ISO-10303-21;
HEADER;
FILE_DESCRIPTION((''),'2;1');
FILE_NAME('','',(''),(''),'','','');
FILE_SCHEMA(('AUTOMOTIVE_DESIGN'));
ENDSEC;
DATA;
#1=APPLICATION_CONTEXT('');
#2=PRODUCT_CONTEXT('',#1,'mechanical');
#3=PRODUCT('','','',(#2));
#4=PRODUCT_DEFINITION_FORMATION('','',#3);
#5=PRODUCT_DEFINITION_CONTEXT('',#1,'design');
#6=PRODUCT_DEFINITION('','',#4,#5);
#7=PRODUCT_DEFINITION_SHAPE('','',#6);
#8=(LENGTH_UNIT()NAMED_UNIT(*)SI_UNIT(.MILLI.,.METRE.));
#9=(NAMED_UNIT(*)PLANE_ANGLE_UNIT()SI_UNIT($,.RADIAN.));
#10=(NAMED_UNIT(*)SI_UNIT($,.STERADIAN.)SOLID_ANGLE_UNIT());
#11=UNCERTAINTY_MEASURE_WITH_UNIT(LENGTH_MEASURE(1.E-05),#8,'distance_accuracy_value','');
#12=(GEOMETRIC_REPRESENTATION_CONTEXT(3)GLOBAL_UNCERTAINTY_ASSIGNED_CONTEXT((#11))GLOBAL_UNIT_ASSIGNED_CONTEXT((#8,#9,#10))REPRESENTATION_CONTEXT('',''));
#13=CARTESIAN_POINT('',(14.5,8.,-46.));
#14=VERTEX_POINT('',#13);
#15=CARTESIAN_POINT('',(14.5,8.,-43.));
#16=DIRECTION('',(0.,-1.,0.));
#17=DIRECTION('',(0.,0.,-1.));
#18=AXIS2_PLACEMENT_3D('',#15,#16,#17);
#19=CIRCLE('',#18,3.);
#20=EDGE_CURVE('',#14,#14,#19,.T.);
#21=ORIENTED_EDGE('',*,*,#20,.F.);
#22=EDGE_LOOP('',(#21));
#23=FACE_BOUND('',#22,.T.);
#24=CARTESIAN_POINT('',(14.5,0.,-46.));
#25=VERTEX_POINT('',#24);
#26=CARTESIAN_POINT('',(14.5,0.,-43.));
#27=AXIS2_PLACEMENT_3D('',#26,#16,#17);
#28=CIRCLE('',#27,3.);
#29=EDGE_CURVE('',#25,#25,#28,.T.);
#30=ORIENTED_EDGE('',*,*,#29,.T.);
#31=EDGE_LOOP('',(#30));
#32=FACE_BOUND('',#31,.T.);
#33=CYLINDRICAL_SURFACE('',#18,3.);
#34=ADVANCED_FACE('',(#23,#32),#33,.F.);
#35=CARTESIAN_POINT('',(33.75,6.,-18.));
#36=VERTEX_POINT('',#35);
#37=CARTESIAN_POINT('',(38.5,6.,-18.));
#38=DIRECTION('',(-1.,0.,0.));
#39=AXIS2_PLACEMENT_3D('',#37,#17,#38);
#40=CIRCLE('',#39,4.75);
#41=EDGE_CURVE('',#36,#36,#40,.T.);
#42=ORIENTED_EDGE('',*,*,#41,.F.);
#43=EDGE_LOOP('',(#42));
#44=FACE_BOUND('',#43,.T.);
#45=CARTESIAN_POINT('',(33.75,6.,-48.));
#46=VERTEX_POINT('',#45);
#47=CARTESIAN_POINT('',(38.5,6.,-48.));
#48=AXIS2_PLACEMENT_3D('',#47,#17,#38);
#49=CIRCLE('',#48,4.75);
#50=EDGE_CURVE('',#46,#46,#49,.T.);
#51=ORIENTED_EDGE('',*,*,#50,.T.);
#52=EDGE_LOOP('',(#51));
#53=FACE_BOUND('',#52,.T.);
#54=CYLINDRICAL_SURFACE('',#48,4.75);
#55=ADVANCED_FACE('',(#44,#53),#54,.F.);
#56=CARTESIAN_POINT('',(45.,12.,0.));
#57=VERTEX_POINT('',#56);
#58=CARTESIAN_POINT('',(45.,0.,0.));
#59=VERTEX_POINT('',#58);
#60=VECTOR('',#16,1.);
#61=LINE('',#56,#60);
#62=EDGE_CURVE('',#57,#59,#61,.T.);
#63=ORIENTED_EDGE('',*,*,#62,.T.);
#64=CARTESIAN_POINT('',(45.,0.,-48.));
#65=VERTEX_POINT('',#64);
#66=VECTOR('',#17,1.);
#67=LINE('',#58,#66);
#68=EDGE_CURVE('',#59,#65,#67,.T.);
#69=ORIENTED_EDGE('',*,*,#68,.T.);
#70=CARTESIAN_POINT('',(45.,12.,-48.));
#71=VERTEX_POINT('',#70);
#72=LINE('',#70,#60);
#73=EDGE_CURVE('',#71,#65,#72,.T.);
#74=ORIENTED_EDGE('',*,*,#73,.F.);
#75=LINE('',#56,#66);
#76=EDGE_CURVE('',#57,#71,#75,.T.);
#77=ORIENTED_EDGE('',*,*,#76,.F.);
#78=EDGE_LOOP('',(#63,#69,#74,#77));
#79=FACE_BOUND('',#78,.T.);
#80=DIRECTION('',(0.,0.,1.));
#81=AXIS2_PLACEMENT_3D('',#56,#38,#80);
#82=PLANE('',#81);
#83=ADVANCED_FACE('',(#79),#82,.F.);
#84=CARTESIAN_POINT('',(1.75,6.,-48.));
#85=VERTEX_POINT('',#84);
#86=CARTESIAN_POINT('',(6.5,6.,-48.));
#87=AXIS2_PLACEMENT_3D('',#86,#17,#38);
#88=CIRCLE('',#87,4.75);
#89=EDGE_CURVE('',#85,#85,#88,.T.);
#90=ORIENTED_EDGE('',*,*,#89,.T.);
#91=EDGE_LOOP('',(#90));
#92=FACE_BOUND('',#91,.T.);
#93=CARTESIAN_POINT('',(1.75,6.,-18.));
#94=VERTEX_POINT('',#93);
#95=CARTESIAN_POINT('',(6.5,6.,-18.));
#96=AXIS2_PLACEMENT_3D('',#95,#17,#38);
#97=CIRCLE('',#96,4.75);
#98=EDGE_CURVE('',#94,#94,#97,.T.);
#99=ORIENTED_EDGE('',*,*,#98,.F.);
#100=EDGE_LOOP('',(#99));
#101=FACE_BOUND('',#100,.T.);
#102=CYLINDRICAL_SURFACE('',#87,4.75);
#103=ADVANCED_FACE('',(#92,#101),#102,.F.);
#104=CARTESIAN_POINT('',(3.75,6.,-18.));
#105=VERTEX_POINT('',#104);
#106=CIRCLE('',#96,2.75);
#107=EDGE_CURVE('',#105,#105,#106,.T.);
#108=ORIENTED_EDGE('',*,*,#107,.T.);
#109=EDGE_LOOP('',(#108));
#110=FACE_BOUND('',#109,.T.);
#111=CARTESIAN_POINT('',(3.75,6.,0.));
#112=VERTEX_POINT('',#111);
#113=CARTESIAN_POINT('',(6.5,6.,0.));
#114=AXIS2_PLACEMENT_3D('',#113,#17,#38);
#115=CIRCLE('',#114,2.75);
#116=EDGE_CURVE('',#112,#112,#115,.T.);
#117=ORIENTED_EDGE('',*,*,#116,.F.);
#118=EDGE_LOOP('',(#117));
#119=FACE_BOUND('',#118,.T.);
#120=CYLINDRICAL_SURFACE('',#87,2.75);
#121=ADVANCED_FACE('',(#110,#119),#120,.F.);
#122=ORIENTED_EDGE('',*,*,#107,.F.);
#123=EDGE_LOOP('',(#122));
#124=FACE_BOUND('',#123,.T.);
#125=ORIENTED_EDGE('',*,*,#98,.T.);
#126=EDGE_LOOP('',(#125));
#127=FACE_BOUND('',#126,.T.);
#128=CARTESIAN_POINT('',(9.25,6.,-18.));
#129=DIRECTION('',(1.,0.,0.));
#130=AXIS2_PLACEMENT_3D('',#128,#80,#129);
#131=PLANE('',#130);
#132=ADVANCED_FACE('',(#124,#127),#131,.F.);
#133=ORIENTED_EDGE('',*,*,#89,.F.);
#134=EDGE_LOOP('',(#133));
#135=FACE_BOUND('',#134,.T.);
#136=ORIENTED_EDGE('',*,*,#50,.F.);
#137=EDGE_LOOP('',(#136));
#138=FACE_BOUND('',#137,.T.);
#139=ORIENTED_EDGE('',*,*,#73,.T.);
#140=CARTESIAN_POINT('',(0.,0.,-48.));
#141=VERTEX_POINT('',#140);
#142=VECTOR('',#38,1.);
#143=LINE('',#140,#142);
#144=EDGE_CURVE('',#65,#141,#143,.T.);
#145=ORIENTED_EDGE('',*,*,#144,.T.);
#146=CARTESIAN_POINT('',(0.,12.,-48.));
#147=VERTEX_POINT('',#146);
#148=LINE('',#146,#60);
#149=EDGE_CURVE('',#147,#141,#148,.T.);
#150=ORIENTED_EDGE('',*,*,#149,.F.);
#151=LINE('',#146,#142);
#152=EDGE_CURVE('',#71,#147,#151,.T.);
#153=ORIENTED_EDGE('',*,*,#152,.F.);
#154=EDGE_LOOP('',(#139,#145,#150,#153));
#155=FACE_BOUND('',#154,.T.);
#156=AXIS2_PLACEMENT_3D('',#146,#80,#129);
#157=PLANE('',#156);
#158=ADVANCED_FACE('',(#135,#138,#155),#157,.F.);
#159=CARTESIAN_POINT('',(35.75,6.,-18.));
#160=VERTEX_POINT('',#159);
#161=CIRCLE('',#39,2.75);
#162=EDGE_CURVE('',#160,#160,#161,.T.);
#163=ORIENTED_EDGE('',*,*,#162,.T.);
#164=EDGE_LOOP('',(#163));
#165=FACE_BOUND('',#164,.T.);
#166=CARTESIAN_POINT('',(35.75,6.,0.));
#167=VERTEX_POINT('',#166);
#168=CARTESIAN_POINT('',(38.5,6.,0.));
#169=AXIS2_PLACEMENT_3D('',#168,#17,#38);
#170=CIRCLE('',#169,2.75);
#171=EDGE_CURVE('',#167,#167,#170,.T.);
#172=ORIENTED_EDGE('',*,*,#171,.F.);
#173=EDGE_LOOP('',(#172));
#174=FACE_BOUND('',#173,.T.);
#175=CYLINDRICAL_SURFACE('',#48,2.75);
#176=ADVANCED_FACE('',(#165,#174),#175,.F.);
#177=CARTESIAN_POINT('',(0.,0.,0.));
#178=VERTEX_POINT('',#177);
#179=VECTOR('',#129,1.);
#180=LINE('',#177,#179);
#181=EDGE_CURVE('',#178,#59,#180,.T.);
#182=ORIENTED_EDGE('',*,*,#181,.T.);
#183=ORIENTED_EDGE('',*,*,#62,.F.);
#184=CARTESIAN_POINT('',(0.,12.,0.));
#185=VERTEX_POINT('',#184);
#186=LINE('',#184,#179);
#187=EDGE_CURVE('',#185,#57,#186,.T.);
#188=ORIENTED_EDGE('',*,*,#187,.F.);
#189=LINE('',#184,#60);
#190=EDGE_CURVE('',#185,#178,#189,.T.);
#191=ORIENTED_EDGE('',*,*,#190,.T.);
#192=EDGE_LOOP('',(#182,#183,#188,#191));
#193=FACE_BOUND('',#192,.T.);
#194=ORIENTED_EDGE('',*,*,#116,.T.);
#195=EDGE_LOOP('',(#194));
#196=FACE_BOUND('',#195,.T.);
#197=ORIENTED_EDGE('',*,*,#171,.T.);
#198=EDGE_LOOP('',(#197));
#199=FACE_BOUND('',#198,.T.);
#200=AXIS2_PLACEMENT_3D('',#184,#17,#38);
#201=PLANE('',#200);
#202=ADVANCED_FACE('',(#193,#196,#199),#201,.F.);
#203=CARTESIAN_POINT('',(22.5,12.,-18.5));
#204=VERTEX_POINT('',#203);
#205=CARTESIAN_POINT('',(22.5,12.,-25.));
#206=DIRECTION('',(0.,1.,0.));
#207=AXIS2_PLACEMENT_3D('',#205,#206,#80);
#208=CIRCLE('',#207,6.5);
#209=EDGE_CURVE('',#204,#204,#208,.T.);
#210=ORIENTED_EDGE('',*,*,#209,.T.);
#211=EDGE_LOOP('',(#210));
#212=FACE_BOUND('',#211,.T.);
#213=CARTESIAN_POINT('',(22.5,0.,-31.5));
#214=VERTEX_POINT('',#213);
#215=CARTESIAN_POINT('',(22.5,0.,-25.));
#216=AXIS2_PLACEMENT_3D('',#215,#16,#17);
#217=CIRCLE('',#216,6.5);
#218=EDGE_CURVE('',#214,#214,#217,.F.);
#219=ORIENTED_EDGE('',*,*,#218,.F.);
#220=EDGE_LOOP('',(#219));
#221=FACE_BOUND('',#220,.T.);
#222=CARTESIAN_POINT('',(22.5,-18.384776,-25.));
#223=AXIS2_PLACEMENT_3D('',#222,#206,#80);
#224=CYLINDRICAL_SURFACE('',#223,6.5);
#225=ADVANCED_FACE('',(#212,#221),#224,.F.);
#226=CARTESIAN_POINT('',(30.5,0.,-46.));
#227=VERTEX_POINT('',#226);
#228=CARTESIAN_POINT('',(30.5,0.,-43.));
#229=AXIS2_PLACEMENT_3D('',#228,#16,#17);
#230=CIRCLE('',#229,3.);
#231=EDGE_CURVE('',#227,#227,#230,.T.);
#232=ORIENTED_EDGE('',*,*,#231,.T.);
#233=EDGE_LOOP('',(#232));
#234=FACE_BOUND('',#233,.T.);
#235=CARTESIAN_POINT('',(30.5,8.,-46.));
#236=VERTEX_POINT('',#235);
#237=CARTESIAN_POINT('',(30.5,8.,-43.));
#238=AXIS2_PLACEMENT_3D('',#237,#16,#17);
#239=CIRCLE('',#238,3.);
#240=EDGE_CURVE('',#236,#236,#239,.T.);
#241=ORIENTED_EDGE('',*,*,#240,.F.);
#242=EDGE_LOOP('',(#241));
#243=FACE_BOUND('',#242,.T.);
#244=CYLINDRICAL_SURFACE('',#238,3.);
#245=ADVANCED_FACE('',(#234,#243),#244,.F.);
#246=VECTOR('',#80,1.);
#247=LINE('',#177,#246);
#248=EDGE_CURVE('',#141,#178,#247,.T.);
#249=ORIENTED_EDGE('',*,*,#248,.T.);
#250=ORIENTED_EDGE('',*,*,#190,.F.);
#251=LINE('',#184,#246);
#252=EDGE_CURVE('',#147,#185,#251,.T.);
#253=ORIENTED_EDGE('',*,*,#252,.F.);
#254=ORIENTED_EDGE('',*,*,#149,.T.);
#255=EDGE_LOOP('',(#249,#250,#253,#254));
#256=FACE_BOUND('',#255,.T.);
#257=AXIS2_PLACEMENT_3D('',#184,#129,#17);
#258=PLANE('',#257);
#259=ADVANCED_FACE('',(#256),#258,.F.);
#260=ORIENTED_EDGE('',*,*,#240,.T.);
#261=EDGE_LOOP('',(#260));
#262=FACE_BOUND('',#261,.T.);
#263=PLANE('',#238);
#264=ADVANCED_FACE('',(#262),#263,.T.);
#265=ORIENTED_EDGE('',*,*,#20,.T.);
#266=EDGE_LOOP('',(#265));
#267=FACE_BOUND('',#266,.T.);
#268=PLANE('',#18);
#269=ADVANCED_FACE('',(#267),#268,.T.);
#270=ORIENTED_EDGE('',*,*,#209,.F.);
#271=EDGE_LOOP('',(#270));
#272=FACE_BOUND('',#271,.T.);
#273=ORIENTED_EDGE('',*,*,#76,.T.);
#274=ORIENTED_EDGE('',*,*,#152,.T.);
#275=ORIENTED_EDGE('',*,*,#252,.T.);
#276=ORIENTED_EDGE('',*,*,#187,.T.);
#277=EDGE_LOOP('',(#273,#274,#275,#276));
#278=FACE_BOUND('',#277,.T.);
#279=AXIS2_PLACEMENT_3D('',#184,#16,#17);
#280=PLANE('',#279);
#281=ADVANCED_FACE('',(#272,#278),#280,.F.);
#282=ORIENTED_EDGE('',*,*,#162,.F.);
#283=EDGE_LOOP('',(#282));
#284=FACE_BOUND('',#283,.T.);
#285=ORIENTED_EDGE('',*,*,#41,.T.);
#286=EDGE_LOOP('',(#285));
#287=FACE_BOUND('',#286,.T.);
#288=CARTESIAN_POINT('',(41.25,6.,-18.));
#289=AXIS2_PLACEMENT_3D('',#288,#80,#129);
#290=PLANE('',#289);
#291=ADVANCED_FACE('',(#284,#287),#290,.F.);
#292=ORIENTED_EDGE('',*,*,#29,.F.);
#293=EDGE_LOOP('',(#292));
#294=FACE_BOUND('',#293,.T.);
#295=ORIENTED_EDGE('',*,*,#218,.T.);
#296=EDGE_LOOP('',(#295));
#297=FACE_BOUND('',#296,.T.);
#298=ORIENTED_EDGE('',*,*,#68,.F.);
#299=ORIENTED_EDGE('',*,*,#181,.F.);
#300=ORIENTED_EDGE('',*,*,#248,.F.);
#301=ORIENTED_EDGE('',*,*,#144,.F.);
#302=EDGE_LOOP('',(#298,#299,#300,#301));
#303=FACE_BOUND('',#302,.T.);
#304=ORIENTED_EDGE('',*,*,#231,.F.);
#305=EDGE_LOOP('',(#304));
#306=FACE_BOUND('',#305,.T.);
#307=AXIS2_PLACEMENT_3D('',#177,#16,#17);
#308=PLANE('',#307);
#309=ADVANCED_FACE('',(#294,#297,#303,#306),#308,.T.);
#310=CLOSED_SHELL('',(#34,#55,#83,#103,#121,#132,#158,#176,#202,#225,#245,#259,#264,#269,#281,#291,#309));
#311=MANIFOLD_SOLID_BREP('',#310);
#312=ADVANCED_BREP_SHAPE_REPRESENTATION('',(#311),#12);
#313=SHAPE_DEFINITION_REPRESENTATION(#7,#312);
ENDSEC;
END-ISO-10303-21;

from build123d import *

# Parameters (mm, degrees)
SKETCH_1_W                = 45
SKETCH_1_H                = 48
EXTRUDE_1_DEPTH           = 12
SKETCH_2_R                = 6.5
CUT_EXTRUDE_1_DEPTH       = 12
HOLE_WIZARD_1_D           = 5.5
HOLE_WIZARD_1_CBORE_D     = 9.5
HOLE_WIZARD_1_CBORE_DEPTH = 30
SKETCH_14_R               = 3
CUT_EXTRUDE_2_DEPTH       = 8


with BuildPart() as part:
    # 草图1 → 凸台-拉伸1 (new body)
    with BuildSketch(Plane(origin=(0, 0, 0), x_dir=(1, 0, 0), z_dir=(0, 1, 0))):
        with Locations((22.5, 24)):
            Rectangle(SKETCH_1_W, SKETCH_1_H)
    extrude(amount=EXTRUDE_1_DEPTH)

    # 草图2 → 切除-拉伸1 (cut)
    with BuildSketch(Plane(origin=(0, 12, 0), x_dir=(1, 0, 0), z_dir=(0, 1, 0))):
        with Locations(Location((22.5, 25, 0), (0, 0, 270))):
            Circle(SKETCH_2_R)
    extrude(amount=-CUT_EXTRUDE_1_DEPTH, mode=Mode.SUBTRACT)

    # 打孔尺寸根据内六角圆柱头螺钉的类型1 (through all)
    with Locations(Plane(origin=(0, 0, -48), x_dir=(-1, 0, 0), z_dir=(0, 0, -1))):
        with Locations((-38.5, 6), (-6.5, 6)):
            CounterBoreHole(HOLE_WIZARD_1_D / 2, HOLE_WIZARD_1_CBORE_D / 2, HOLE_WIZARD_1_CBORE_DEPTH)

    # 草图14 → 切除-拉伸2 (cut)
    with BuildSketch(Plane.XZ):
        with Locations(Location((14.5, -43, 0), (0, 0, 270))):
            Circle(SKETCH_14_R)
        with Locations(Location((30.5, -43, 0), (0, 0, 270))):
            Circle(SKETCH_14_R)
    extrude(amount=-CUT_EXTRUDE_2_DEPTH, mode=Mode.SUBTRACT)


solid = part.part
